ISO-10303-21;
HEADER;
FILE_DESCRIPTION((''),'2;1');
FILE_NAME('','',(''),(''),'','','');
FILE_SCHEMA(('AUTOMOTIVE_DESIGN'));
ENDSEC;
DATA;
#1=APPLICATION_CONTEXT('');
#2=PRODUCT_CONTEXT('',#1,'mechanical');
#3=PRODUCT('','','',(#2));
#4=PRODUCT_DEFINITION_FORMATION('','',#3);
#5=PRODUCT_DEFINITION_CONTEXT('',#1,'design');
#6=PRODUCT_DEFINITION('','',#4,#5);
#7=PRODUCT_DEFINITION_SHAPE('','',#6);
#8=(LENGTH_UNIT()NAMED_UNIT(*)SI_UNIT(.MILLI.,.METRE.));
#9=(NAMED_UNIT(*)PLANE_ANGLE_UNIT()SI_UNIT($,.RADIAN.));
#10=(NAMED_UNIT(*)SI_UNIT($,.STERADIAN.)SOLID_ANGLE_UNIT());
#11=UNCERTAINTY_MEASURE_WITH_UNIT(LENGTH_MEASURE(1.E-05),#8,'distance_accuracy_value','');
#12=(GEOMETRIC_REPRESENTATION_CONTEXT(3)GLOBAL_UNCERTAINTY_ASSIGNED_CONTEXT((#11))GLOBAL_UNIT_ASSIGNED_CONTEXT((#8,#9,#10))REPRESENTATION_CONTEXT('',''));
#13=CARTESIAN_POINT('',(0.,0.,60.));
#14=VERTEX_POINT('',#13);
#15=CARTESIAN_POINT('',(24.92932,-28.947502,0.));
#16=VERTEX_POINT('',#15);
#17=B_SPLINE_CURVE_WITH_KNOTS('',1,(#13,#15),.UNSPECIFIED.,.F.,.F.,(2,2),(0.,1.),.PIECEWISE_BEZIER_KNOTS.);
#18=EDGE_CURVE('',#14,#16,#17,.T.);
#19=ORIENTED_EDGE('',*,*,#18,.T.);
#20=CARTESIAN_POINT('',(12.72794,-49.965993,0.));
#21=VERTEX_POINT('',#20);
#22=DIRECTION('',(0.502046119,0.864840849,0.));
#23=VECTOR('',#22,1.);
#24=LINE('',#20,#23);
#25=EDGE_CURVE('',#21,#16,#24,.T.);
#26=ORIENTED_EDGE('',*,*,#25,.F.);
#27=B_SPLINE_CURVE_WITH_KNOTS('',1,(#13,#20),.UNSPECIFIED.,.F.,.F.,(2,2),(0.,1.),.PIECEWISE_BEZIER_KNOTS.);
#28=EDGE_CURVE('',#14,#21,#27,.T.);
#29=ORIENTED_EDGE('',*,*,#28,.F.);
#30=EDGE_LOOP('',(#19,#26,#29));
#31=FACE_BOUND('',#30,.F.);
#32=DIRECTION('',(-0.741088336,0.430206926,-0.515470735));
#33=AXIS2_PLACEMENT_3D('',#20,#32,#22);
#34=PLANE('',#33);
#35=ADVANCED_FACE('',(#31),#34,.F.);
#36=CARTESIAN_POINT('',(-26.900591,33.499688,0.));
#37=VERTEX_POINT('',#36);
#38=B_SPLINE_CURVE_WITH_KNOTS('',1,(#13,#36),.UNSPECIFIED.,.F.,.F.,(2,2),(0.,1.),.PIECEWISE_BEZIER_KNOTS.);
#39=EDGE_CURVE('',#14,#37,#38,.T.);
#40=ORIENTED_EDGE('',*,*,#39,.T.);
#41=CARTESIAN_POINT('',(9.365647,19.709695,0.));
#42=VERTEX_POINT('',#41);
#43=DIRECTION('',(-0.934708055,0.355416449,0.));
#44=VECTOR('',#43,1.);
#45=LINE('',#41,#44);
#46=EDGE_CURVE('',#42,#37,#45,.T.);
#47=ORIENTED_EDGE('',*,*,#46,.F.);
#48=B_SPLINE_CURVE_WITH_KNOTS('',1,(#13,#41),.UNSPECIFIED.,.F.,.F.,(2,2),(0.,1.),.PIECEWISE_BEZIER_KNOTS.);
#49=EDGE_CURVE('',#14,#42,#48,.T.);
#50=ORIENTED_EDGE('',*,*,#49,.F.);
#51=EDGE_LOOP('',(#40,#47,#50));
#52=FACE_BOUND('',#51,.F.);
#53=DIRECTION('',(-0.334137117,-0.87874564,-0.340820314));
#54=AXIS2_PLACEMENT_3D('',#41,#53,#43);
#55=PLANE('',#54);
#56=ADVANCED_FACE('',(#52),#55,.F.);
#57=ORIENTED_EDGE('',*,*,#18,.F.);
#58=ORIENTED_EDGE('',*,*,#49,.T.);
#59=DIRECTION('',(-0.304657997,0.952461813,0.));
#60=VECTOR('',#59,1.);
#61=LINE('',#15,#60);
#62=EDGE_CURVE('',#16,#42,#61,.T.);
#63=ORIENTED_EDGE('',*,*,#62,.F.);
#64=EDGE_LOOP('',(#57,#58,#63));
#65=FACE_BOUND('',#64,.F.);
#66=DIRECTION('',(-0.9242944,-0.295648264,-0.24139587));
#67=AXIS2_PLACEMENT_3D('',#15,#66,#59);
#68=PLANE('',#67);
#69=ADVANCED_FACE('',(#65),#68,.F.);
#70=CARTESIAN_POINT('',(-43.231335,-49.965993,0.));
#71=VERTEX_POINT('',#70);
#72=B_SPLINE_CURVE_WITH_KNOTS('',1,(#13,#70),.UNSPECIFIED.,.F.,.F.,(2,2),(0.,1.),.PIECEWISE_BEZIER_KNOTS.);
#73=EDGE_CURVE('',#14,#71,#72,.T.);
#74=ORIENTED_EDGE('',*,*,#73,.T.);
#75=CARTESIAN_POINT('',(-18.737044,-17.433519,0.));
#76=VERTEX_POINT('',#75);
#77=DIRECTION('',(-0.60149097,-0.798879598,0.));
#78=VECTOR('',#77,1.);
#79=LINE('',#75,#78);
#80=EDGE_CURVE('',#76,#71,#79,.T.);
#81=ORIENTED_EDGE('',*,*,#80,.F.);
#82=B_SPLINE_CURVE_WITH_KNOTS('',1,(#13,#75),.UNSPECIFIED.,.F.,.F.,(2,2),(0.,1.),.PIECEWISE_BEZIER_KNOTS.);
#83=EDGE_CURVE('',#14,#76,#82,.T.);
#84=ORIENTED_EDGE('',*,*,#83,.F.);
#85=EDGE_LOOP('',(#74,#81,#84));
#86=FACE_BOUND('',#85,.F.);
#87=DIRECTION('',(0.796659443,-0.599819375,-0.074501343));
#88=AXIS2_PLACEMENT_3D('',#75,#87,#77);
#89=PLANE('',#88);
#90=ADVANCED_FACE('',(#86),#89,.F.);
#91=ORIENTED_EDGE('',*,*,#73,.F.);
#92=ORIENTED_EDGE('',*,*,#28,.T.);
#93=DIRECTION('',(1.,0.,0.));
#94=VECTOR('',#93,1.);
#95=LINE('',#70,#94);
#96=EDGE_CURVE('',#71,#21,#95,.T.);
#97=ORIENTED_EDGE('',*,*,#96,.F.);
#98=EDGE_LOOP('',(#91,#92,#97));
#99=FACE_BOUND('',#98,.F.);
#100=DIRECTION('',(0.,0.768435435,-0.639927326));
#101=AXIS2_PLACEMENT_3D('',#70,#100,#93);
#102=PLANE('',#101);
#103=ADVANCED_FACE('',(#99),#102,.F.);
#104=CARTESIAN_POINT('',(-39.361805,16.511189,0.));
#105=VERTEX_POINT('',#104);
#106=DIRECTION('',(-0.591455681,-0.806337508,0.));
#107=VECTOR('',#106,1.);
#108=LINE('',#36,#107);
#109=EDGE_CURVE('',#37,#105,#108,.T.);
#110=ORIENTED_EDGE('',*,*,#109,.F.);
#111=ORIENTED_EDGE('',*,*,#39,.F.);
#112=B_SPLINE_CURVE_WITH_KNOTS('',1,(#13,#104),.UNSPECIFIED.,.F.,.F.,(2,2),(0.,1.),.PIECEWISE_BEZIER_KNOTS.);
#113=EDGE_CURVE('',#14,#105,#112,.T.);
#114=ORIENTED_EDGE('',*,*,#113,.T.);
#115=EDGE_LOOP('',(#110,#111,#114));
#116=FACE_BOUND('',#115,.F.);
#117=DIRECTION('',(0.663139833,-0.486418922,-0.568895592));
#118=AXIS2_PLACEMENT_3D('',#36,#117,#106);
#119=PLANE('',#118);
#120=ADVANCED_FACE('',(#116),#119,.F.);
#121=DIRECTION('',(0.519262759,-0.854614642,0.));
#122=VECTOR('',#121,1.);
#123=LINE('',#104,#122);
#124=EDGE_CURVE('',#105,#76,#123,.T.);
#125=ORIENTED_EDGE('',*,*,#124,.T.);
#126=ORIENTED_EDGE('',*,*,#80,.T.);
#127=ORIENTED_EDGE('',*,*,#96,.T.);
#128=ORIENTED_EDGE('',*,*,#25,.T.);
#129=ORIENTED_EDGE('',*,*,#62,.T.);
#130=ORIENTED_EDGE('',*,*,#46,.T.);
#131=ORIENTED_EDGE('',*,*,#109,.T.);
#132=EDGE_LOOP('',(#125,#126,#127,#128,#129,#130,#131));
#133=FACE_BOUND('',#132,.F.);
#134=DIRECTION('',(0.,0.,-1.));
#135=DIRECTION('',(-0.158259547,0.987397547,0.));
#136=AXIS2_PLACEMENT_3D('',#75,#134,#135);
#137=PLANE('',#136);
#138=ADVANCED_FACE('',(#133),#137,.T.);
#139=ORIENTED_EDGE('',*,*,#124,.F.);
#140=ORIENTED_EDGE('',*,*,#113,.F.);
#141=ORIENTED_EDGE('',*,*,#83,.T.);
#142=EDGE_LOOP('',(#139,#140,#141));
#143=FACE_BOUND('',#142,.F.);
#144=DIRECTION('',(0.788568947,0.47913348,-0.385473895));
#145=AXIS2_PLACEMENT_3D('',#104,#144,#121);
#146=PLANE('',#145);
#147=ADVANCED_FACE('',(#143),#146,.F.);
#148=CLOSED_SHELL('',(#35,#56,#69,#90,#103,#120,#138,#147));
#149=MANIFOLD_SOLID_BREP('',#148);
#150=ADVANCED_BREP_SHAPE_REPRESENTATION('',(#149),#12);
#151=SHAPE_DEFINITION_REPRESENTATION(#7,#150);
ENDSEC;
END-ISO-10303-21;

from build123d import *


with BuildPart() as f3:
    # F0 (on Top) → F3 section 0
    with BuildSketch(Plane.XY, mode=Mode.PRIVATE) as f3_s0:
        Polygon((-18.737044, -17.433519), (-43.231335, -49.965993), (12.72794, -49.965993), (24.92932, -28.947502), (9.365647, 19.709695), (-26.900591, 33.499688), (-39.361805, 16.511189), align=None)
    loft([Vertex(0, 0, 60), f3_s0.sketch])


solid = f3.part
